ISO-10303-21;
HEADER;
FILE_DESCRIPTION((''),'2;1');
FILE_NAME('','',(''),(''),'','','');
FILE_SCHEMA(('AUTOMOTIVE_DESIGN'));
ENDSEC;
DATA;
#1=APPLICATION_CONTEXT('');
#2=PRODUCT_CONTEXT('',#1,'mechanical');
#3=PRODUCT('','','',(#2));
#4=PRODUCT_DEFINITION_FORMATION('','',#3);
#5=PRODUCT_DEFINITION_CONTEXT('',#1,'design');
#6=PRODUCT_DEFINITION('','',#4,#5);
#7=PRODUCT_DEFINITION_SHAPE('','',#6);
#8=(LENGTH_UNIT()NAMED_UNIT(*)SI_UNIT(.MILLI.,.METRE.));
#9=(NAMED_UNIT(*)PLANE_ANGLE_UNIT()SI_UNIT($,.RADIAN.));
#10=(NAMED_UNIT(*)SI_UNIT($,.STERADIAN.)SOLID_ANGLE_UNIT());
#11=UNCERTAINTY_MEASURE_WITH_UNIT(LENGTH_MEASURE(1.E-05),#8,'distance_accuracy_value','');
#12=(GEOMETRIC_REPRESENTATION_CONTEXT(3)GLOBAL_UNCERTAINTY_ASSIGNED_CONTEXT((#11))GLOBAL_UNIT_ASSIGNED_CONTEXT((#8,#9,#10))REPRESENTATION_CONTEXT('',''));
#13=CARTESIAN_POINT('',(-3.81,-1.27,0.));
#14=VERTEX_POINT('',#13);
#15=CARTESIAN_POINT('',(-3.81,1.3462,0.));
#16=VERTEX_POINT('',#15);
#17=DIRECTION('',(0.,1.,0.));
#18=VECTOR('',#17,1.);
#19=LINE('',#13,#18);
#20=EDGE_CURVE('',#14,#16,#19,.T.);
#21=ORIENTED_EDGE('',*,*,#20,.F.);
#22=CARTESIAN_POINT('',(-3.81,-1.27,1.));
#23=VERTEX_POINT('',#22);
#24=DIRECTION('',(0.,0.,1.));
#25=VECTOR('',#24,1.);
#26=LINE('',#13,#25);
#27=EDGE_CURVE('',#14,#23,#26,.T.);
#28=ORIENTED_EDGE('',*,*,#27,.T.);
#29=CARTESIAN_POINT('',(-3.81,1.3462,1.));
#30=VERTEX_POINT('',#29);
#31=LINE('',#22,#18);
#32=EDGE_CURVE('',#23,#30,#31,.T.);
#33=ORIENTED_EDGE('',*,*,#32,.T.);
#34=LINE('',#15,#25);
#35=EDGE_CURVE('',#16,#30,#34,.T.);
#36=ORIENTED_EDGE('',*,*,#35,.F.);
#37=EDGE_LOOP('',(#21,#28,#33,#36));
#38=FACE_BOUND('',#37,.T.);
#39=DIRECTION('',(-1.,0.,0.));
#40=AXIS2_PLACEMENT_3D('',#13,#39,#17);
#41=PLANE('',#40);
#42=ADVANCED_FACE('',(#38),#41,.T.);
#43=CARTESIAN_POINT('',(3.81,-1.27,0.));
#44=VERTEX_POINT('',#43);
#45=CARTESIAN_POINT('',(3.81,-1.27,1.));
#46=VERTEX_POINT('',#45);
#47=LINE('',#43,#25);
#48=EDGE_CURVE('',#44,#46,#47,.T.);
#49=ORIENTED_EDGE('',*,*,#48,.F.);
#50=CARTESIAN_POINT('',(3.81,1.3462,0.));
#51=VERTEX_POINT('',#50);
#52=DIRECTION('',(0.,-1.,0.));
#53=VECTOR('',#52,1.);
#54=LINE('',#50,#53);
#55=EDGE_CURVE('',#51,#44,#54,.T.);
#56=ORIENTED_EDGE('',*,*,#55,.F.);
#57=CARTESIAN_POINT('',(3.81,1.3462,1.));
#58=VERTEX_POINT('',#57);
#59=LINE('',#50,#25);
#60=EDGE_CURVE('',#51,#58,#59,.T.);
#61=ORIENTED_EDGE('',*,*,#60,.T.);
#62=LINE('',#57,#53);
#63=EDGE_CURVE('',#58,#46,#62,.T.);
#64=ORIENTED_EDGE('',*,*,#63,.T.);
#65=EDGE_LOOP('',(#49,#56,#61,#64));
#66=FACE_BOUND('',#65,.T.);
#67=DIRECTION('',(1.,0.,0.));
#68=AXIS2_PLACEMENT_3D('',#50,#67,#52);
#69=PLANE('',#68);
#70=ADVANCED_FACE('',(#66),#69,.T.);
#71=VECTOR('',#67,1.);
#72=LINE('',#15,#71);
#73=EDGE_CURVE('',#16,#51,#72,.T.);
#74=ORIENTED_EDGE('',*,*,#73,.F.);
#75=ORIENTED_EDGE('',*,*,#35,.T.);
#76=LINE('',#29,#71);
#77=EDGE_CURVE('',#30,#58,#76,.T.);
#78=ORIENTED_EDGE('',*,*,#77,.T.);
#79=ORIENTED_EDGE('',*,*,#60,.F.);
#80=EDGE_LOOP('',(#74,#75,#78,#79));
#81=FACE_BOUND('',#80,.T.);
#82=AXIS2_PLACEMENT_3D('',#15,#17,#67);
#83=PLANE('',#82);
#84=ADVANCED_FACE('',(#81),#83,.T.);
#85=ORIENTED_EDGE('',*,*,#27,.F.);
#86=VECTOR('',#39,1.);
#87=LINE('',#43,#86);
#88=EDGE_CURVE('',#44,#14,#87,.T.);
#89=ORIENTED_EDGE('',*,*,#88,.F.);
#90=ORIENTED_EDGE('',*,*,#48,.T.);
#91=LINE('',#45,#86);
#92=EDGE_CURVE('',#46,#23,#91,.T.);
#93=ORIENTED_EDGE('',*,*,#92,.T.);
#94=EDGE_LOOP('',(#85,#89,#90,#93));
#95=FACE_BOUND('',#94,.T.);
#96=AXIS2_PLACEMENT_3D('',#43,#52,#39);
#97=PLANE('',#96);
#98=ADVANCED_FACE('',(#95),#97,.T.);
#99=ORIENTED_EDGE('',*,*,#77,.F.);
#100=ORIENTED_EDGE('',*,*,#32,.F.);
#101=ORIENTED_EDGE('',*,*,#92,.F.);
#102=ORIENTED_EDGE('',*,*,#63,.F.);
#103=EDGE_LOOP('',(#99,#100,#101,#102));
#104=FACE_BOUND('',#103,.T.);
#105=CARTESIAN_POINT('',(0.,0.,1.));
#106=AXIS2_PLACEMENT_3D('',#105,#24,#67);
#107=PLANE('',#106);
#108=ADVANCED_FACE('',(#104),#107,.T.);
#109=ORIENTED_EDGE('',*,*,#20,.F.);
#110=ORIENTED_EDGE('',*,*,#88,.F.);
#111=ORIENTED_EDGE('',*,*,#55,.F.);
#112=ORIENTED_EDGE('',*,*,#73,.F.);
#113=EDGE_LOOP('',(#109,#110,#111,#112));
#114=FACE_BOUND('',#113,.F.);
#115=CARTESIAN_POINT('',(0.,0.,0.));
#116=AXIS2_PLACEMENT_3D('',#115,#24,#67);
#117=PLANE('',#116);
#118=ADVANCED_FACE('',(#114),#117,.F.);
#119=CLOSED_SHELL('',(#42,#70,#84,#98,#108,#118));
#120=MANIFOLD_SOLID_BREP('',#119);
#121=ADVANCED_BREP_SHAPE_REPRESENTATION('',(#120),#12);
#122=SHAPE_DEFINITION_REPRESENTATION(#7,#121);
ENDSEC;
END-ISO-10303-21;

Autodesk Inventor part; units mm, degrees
ref_plane "YZ Plane" through (0, 0, 0) normal (1, 0, 0) x (0, 1, 0)
ref_plane "XZ Plane" through (0, 0, 0) normal (0, 1, 0) x (-1, 0, 0)
ref_plane "XY Plane" through (0, 0, 0) normal (0, 0, 1) x (1, 0, 0)
sketch "1X03, SIGNALOUT_1X03_19" plane through (0, 0, 0) normal (0, 0, 1) x (1, 0, 0)
  line L0 (-3.81, 1.3462) -> (3.81, 1.3462)
  line L1 (3.81, 1.3462) -> (3.81, -1.27)
  line L2 (3.81, -1.27) -> (-3.81, -1.27)
  line L3 (-3.81, -1.27) -> (-3.81, 1.3462)
extrude "Extrusion1" add sketch "1X03, SIGNALOUT_1X03_19" along normal blind 1
properties part number "SIGNALOUT_1X03"
